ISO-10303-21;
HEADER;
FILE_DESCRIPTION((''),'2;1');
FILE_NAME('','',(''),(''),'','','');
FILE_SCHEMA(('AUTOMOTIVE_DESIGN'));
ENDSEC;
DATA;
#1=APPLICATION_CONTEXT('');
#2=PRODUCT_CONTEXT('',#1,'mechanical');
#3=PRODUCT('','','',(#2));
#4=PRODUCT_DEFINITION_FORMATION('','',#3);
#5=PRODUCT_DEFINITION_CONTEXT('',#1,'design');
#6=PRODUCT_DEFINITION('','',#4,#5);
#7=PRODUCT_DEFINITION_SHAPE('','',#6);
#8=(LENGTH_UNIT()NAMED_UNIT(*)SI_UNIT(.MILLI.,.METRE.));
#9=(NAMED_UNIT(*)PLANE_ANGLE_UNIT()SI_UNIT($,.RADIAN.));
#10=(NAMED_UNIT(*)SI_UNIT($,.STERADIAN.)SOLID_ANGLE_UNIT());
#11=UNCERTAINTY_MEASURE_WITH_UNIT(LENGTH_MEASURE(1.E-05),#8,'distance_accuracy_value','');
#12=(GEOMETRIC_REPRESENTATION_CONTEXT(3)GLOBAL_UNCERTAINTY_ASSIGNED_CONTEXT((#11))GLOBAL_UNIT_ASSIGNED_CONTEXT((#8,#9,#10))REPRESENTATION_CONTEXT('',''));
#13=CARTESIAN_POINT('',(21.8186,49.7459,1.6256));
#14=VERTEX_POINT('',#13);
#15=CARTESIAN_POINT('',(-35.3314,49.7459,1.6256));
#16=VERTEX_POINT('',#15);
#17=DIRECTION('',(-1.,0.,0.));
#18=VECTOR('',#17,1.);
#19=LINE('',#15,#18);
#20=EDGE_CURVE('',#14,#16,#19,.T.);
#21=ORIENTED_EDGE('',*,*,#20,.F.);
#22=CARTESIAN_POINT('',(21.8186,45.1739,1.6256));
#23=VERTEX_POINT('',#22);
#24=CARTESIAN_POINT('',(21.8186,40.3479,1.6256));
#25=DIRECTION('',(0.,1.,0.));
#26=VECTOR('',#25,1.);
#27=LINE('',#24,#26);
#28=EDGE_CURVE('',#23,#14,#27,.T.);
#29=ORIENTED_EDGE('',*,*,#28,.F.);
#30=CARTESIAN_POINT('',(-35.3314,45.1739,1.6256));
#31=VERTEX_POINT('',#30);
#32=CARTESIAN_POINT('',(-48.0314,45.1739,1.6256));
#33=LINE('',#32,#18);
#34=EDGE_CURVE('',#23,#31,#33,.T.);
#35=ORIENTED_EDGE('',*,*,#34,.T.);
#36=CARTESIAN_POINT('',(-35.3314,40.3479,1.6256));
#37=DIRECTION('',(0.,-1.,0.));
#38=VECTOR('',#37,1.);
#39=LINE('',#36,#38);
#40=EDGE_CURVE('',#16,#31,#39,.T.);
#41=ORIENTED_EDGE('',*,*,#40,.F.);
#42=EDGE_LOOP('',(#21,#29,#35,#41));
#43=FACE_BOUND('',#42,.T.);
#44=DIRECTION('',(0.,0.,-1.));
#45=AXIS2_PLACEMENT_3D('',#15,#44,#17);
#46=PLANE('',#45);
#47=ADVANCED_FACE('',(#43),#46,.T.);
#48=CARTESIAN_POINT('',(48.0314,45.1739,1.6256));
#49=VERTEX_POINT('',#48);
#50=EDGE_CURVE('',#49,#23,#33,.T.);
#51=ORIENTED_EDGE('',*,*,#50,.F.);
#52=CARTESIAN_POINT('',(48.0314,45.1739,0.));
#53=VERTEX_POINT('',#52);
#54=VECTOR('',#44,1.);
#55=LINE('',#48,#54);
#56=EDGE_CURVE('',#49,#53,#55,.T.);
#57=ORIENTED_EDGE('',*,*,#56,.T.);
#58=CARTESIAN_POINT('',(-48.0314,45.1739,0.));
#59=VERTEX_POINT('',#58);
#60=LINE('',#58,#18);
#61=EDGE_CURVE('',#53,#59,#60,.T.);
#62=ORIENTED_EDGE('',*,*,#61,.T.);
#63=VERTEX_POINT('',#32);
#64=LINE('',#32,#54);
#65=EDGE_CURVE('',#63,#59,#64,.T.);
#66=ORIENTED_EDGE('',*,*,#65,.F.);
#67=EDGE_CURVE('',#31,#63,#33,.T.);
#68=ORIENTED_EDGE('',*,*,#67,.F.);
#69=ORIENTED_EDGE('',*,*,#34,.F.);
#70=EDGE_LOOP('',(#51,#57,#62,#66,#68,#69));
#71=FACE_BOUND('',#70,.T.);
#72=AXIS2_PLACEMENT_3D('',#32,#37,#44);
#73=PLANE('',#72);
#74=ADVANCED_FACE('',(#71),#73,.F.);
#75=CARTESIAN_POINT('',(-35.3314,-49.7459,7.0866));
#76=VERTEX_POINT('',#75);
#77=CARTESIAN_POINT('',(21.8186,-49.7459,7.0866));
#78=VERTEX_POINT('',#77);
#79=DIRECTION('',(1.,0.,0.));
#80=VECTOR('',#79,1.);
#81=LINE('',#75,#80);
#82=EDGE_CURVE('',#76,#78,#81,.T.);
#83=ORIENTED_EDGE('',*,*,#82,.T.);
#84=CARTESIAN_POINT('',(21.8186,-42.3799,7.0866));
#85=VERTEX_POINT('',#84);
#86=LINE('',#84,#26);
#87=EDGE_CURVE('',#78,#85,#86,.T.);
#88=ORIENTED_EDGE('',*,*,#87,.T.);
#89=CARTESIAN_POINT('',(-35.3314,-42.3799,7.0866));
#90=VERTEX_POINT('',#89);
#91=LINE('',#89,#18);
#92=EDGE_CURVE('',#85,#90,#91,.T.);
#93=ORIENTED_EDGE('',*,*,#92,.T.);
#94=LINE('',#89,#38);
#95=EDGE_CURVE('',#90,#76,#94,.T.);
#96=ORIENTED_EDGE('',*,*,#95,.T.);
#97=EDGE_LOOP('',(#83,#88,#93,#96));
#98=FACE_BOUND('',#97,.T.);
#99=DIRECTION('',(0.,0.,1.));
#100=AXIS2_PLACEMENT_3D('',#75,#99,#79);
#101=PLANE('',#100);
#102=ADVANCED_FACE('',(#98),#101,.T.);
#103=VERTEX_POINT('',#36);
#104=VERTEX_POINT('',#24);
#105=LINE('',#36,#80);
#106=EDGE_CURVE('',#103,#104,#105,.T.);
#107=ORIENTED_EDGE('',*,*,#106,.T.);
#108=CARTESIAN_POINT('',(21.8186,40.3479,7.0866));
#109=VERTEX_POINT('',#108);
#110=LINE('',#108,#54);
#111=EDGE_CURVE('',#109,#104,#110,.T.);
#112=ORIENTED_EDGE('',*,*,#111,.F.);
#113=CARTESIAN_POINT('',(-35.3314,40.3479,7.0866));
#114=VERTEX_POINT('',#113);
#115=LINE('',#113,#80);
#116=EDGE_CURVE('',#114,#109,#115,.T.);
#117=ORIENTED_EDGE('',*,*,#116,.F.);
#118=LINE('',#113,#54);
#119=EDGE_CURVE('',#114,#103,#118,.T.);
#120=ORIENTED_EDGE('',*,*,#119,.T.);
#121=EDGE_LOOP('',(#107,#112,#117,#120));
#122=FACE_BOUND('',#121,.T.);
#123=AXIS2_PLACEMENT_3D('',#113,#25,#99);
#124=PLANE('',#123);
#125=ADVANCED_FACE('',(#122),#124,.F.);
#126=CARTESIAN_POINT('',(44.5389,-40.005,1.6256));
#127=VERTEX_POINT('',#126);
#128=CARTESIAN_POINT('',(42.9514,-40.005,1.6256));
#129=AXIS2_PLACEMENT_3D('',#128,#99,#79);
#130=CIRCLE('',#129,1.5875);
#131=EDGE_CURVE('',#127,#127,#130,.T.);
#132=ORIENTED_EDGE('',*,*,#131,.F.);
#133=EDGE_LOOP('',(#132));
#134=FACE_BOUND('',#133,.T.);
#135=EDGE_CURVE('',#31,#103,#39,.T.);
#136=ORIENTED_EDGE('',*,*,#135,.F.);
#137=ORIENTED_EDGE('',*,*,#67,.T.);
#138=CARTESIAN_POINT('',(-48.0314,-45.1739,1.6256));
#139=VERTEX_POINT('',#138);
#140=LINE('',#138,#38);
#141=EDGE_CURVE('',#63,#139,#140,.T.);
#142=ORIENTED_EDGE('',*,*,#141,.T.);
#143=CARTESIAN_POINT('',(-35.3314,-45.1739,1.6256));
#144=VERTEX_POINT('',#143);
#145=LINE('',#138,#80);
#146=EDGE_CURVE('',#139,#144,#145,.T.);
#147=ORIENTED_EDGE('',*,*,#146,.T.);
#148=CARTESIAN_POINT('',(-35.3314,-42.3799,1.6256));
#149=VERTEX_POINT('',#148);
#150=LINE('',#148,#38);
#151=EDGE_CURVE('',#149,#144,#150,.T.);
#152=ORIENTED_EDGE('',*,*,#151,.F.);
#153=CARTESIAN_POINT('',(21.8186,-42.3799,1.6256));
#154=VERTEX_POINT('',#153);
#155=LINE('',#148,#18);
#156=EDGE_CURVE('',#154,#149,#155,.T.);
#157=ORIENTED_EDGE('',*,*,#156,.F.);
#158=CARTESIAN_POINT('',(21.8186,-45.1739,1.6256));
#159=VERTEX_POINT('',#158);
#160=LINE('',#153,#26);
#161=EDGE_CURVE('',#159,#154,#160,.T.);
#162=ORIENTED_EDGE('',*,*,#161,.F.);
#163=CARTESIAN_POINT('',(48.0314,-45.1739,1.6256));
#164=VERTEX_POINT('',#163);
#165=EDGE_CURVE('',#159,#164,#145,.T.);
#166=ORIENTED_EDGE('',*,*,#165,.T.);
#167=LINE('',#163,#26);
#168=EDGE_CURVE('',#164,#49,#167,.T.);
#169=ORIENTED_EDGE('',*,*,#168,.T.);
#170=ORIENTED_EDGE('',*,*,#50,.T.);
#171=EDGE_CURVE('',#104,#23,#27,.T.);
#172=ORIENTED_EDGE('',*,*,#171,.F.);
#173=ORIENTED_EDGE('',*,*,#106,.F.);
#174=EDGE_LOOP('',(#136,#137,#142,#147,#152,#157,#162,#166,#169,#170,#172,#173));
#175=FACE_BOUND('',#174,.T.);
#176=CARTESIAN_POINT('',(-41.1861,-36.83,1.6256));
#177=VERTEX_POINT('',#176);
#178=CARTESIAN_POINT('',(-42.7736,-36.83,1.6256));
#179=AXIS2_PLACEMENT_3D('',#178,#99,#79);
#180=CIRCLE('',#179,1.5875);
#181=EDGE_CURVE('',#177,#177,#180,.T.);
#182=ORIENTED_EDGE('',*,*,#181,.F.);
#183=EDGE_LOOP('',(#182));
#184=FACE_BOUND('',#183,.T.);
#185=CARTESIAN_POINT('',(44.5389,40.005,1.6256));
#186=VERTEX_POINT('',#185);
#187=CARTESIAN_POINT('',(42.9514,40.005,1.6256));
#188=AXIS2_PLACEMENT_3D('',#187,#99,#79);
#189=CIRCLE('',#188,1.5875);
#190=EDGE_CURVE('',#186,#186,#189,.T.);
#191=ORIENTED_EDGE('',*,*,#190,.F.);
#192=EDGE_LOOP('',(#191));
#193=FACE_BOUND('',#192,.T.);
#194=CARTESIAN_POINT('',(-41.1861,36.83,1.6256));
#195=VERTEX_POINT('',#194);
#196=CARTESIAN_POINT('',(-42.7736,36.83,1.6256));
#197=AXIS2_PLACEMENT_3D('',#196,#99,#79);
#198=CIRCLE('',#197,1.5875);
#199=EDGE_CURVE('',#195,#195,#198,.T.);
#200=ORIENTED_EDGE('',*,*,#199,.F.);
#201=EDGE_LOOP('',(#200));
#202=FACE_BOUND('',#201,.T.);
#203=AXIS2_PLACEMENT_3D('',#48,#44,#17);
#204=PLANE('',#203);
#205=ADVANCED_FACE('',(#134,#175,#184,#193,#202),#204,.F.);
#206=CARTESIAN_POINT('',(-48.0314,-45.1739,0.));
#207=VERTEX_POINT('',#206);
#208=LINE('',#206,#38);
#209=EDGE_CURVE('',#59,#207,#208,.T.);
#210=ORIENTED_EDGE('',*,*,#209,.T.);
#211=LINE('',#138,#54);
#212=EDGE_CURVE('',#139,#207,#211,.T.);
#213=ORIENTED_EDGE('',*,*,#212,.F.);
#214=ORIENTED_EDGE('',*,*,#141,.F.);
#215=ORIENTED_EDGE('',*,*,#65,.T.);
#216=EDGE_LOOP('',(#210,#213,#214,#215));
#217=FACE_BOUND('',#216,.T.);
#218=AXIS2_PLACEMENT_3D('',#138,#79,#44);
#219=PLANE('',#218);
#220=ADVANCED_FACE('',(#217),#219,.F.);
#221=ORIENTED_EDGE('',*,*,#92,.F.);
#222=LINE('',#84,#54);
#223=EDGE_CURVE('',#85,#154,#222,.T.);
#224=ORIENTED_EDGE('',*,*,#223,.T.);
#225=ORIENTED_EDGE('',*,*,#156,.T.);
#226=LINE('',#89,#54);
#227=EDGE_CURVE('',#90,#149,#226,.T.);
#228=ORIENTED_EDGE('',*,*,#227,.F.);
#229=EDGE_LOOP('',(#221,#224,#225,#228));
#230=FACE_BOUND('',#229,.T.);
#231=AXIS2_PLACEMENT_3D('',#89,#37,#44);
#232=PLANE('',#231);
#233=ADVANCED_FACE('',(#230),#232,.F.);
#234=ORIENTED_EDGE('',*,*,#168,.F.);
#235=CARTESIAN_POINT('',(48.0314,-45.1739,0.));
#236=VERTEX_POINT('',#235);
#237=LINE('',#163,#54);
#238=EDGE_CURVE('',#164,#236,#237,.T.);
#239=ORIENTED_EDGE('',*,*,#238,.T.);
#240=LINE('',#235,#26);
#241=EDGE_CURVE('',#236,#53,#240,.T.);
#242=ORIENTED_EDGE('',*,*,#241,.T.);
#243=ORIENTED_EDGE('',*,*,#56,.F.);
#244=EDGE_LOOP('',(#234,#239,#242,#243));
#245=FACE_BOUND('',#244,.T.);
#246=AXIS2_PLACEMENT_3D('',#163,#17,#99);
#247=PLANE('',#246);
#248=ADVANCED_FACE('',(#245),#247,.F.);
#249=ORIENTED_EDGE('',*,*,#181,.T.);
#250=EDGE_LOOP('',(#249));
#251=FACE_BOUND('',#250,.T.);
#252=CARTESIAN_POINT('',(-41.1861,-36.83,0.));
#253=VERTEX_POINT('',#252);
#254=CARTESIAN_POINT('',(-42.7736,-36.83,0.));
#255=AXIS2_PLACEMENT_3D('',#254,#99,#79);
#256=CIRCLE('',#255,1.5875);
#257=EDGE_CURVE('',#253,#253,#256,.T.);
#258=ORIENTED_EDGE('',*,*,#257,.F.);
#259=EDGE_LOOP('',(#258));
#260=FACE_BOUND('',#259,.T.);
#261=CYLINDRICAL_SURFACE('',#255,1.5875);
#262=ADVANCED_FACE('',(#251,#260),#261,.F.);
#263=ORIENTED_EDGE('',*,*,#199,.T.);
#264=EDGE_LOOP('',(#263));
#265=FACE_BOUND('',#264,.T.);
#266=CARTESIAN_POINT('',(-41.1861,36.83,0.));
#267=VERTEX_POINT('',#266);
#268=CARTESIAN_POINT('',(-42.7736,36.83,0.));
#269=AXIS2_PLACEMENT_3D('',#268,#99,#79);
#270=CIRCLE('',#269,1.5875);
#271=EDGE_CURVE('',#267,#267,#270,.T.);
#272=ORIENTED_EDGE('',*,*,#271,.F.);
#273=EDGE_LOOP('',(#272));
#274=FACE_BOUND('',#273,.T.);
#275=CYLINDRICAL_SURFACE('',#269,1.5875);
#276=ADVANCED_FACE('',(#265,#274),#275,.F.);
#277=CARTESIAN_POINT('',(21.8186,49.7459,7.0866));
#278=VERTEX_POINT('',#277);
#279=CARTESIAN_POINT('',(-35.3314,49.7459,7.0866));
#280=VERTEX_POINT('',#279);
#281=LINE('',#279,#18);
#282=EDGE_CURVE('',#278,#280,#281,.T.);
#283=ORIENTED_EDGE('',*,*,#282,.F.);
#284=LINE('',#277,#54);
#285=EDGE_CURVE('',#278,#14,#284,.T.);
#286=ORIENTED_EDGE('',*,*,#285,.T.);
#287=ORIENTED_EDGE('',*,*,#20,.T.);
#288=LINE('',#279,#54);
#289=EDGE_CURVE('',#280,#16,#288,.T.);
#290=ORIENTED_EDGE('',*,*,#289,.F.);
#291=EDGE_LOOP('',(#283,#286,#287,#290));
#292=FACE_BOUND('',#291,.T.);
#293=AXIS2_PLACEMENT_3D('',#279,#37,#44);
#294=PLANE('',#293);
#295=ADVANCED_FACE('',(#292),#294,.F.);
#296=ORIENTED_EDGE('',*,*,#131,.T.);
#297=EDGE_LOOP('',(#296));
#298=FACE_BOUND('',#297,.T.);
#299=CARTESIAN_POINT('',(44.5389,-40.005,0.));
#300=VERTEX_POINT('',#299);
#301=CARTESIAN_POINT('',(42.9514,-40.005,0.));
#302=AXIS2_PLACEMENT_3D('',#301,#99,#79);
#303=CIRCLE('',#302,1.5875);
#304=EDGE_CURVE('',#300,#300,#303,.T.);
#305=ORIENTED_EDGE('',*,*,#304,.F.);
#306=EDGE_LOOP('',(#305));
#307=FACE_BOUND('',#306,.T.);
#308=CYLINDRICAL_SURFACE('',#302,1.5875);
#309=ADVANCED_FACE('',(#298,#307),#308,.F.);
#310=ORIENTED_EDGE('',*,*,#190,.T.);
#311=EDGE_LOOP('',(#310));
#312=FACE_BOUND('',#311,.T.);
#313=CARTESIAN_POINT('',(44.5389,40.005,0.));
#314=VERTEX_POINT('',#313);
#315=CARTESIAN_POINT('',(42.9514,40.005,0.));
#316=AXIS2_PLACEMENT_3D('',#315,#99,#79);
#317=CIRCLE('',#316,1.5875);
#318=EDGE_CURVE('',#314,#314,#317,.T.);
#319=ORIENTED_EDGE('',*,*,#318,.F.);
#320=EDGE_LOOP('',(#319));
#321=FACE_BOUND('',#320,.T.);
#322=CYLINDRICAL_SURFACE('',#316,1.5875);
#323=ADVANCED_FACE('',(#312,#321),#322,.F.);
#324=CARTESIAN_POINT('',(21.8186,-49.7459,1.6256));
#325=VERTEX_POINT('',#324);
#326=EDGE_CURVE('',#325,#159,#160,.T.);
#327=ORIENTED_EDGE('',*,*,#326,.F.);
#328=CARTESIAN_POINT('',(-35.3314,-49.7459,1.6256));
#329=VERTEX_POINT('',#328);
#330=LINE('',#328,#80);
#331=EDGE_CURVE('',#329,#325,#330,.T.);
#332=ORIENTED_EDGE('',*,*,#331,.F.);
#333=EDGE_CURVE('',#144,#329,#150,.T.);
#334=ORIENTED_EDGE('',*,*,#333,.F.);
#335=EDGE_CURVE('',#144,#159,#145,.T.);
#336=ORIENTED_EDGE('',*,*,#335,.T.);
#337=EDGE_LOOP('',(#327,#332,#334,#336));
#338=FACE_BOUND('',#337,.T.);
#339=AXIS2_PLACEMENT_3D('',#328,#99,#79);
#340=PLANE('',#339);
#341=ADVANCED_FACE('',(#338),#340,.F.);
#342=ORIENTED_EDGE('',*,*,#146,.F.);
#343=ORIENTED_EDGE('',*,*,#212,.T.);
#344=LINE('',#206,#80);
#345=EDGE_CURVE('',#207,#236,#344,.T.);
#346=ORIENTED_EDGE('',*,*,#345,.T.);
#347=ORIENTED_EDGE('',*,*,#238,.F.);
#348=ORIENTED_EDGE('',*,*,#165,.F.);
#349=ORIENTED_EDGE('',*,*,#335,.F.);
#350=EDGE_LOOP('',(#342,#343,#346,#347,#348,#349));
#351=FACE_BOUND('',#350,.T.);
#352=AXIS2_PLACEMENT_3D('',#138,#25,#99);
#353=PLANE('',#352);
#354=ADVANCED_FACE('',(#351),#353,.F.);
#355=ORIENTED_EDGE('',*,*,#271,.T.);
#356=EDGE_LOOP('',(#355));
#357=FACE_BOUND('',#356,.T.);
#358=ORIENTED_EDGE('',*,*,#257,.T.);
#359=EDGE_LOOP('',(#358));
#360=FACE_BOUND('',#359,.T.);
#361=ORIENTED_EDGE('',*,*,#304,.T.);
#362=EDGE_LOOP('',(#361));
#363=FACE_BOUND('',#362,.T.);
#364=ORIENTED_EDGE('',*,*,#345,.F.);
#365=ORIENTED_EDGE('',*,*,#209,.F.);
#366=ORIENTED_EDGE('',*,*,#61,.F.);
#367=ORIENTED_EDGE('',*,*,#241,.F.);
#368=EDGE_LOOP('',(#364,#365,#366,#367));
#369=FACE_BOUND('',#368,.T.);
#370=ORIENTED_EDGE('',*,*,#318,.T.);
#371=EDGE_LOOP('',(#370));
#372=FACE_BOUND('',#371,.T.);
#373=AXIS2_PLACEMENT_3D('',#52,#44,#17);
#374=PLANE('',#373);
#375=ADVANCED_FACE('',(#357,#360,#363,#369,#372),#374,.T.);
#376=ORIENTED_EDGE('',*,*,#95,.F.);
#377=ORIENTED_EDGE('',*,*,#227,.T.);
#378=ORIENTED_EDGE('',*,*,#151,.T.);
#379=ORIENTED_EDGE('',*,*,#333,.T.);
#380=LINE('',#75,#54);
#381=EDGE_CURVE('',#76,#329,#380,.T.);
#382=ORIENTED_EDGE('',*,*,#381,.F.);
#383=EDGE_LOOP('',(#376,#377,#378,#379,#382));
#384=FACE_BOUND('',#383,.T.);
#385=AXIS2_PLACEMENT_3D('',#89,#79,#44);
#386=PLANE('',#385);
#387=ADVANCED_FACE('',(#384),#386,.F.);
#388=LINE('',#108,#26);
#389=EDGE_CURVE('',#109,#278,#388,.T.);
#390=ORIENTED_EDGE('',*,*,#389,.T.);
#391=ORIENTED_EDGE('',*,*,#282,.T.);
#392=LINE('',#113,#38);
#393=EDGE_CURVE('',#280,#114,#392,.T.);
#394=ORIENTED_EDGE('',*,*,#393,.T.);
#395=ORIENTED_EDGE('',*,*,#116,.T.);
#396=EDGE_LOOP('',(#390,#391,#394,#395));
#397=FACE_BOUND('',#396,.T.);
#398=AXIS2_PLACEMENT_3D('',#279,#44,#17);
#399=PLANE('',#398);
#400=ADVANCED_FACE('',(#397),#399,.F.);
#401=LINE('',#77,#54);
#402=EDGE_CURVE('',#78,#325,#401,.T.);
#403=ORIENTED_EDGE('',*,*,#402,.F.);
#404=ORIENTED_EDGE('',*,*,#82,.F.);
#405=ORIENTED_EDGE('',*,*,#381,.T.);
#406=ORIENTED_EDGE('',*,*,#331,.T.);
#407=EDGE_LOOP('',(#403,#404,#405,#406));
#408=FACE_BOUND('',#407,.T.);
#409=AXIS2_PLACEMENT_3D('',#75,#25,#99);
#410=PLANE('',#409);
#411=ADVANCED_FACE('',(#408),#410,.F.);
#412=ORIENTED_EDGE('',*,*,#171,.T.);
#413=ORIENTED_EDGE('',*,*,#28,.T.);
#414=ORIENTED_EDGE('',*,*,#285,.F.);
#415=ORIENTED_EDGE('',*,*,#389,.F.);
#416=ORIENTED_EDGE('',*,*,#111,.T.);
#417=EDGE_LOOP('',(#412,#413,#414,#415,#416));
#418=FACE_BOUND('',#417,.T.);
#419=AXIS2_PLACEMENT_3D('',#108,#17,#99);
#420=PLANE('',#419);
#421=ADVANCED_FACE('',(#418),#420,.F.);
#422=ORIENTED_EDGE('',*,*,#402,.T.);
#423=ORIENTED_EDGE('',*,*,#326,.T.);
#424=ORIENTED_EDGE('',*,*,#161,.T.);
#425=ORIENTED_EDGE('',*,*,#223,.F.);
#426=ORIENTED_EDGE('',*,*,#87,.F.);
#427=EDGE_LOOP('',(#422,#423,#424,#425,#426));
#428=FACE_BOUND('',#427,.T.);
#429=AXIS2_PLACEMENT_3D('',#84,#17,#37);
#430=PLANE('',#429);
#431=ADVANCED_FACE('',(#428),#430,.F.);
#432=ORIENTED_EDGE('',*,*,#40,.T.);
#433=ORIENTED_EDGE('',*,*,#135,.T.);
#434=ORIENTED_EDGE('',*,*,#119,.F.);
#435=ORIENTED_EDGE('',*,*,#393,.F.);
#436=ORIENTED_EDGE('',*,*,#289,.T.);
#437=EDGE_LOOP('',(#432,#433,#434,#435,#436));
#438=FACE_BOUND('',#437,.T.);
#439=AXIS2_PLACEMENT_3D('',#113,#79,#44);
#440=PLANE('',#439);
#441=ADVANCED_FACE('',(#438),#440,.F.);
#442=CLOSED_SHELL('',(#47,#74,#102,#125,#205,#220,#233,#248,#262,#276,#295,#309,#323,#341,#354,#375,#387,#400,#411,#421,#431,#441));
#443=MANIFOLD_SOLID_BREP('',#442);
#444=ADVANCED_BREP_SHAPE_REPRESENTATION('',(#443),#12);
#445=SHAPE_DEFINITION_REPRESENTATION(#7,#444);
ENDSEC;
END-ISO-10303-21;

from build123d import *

# Parameters (mm, degrees)
SKETCH1_W            = 96.0628
SKETCH1_H            = 90.3478
PCB_DEPTH            = 1.6256
SKETCH5_R            = 1.5875
PCB_HOLES_DEPTH      = 66.957101229
SKETCH6_W            = 57.15
SKETCH6_H            = 7.366
SKETCH6_H_2          = 9.398
PCB_EDGE_CONNS_DEPTH = 5.461


with BuildPart() as part:
    # Sketch1 → PCB (new body)
    with BuildSketch(Plane.XY):
        Rectangle(SKETCH1_W, SKETCH1_H)
    extrude(amount=PCB_DEPTH)

    # Sketch5 → PCB_Holes (cut, through all)
    with BuildSketch(Plane.XY.offset(1.6256)):
        with Locations((-42.7736, 36.83)):
            Circle(SKETCH5_R)
        with Locations((42.9514, 40.005)):
            Circle(SKETCH5_R)
        with Locations((42.9514, -40.005)):
            Circle(SKETCH5_R)
        with Locations((-42.7736, -36.83)):
            Circle(SKETCH5_R)
    extrude(amount=-PCB_HOLES_DEPTH, mode=Mode.SUBTRACT)

    # Sketch6 → PCB_Edge_Conns (add)
    with BuildSketch(Plane.XY.offset(1.6256)):
        with Locations((-6.7564, -46.0629)):
            Rectangle(SKETCH6_W, SKETCH6_H)
        with Locations((-6.7564, 45.0469)):
            Rectangle(SKETCH6_W, SKETCH6_H_2)
    extrude(amount=PCB_EDGE_CONNS_DEPTH)


solid = part.part
